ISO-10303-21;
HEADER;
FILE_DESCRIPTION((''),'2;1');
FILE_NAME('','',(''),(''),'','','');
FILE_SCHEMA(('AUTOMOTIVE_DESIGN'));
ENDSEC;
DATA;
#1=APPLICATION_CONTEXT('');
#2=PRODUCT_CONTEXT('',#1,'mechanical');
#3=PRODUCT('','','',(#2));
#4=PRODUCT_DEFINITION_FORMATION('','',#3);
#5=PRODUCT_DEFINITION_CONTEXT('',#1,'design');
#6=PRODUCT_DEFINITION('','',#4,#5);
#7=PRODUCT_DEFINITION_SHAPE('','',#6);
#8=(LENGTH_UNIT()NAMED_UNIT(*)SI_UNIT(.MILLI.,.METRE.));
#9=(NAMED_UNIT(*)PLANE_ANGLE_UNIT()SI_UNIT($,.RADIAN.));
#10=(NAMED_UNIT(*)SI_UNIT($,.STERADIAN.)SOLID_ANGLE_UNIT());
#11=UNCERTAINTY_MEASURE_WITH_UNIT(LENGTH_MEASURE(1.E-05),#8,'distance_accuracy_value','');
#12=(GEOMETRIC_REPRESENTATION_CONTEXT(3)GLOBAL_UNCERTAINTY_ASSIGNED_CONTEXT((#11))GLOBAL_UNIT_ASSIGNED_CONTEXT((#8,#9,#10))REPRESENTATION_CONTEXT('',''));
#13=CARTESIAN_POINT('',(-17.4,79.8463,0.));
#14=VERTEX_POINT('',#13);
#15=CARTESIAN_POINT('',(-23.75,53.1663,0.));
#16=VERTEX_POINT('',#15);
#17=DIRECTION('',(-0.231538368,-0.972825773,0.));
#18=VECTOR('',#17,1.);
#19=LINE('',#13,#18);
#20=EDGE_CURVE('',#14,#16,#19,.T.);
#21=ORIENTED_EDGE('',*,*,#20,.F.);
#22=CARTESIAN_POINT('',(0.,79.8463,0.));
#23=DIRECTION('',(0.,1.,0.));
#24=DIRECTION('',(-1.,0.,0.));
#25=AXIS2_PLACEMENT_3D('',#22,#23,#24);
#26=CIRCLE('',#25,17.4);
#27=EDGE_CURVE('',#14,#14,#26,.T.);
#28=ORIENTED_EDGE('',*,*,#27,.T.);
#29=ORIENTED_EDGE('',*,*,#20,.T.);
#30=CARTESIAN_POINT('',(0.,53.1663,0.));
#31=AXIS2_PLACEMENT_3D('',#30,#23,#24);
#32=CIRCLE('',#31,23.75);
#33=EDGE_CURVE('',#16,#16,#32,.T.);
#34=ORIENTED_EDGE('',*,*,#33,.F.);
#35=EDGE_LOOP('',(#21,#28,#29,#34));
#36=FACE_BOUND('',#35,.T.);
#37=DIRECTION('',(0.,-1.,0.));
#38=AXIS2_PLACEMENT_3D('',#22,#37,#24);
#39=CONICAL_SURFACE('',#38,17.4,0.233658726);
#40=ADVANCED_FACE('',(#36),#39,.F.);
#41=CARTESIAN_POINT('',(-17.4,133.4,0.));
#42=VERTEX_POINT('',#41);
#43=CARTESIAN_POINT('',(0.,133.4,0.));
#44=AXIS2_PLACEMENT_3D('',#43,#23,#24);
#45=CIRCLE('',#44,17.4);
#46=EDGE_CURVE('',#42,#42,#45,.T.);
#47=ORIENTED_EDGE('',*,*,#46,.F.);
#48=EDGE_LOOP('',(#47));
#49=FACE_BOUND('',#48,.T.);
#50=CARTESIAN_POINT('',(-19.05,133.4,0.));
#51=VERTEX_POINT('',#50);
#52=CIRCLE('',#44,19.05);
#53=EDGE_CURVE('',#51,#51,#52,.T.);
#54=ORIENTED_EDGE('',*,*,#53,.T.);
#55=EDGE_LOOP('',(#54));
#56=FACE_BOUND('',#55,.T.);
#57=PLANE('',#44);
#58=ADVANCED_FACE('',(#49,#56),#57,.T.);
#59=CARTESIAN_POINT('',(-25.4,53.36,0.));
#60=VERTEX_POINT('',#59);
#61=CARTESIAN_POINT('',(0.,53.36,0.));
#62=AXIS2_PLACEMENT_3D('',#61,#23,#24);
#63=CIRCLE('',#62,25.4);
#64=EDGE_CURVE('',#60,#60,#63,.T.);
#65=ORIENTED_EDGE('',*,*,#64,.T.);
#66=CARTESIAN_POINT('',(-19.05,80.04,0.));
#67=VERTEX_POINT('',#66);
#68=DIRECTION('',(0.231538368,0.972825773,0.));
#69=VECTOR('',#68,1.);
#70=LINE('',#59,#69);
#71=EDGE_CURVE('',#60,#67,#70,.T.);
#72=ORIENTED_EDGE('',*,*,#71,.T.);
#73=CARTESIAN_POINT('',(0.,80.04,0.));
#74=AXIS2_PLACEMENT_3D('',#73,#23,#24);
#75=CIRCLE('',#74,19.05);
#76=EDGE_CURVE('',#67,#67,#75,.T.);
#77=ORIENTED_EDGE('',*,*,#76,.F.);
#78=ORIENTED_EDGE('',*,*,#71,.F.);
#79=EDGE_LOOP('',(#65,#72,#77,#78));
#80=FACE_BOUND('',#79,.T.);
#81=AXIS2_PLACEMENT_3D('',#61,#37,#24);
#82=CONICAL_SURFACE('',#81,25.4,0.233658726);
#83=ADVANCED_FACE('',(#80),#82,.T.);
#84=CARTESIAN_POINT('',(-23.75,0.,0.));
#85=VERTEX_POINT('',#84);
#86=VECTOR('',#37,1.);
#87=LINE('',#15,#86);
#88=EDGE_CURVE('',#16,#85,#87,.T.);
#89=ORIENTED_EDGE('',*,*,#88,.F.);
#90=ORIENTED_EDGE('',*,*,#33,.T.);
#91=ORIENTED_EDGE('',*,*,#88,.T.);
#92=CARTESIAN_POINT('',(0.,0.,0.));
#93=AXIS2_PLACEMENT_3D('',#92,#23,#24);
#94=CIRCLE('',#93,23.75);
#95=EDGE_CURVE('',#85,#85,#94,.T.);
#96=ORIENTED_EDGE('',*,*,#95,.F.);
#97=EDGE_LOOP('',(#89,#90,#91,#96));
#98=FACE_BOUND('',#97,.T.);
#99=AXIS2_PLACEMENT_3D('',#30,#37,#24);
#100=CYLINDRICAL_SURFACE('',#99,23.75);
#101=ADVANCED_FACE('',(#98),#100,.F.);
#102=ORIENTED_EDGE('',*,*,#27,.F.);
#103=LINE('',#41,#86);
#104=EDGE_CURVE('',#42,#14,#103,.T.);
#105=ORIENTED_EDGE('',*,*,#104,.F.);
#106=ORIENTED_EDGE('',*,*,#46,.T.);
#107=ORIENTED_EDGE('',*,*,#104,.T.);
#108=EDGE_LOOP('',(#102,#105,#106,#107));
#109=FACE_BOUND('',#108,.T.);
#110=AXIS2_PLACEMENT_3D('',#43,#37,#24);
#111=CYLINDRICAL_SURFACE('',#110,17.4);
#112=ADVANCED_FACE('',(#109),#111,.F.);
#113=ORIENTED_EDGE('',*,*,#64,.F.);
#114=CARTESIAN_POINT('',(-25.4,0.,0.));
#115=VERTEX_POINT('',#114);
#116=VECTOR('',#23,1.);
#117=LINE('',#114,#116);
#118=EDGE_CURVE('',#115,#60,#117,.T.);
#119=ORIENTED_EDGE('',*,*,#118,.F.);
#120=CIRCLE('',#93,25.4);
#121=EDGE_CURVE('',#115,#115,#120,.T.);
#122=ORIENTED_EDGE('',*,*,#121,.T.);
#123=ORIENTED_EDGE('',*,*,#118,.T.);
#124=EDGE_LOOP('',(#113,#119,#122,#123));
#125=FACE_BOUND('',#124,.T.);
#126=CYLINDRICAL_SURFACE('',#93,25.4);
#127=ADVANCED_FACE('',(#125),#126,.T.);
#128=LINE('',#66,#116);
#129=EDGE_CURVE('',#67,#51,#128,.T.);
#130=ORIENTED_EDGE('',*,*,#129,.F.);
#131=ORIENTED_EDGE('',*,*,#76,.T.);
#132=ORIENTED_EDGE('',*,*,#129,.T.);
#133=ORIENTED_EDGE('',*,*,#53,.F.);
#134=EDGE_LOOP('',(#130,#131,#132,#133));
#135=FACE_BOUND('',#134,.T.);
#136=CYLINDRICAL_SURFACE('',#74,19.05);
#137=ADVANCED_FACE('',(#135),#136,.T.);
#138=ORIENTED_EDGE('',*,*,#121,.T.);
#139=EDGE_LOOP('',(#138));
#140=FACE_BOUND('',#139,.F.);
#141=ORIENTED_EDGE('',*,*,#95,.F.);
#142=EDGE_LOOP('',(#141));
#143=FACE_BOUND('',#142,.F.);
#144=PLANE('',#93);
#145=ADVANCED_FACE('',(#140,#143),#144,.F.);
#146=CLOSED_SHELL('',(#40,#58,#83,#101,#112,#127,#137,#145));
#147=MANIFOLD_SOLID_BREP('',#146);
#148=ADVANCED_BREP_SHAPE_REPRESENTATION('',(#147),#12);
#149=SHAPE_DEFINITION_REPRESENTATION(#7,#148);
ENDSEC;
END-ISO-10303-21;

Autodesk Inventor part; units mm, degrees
ref_plane "YZ Plane" through (0, 0, 0) normal (1, 0, 0) x (0, 1, 0)
ref_plane "XZ Plane" through (0, 0, 0) normal (0, 1, 0) x (-1, 0, 0)
ref_plane "XY Plane" through (0, 0, 0) normal (0, 0, 1) x (1, 0, 0)
sketch "Sketch1" plane through (0, 0, 0) normal (0, 0, 1) x (1, 0, 0)
  line L0 (0, 0) -> (0, 68.7718)
  line L1 (0, 0) -> (-35.2548, 0) construction
  line L2 (-25.4, 0) -> (-25.4, 53.36)
  line L3 (-25.4, 53.36) -> (-19.05, 80.04)
  line L4 (-19.05, 80.04) -> (-19.05, 133.4)
  line L5 (-17.4, 133.4) -> (-17.4, 79.8463)
  line L6 (-17.4, 79.8463) -> (-23.75, 53.1663)
  line L7 (-23.75, 53.1663) -> (-23.75, 0)
  line L8 (-25.4, 0) -> (-23.75, 0)
  line L9 (-19.05, 133.4) -> (-17.4, 133.4)
  dimension "d0" = 1.65
  dimension "d1" = 38.1
  dimension "d2" = 53.36
  dimension "d3" = 53.36
  dimension "d4" = 133.4
  dimension "d5" = 50.8
revolve "Revolution1" add sketch "Sketch1" angle 360 about axis through (0, 0, 0) along (0, 1, 0)
equation "\"d2\" = 0.4 * d4"
equation "\"d3\" = d2"
properties part number "ASME BPE CON RED-50.8-38.1"
